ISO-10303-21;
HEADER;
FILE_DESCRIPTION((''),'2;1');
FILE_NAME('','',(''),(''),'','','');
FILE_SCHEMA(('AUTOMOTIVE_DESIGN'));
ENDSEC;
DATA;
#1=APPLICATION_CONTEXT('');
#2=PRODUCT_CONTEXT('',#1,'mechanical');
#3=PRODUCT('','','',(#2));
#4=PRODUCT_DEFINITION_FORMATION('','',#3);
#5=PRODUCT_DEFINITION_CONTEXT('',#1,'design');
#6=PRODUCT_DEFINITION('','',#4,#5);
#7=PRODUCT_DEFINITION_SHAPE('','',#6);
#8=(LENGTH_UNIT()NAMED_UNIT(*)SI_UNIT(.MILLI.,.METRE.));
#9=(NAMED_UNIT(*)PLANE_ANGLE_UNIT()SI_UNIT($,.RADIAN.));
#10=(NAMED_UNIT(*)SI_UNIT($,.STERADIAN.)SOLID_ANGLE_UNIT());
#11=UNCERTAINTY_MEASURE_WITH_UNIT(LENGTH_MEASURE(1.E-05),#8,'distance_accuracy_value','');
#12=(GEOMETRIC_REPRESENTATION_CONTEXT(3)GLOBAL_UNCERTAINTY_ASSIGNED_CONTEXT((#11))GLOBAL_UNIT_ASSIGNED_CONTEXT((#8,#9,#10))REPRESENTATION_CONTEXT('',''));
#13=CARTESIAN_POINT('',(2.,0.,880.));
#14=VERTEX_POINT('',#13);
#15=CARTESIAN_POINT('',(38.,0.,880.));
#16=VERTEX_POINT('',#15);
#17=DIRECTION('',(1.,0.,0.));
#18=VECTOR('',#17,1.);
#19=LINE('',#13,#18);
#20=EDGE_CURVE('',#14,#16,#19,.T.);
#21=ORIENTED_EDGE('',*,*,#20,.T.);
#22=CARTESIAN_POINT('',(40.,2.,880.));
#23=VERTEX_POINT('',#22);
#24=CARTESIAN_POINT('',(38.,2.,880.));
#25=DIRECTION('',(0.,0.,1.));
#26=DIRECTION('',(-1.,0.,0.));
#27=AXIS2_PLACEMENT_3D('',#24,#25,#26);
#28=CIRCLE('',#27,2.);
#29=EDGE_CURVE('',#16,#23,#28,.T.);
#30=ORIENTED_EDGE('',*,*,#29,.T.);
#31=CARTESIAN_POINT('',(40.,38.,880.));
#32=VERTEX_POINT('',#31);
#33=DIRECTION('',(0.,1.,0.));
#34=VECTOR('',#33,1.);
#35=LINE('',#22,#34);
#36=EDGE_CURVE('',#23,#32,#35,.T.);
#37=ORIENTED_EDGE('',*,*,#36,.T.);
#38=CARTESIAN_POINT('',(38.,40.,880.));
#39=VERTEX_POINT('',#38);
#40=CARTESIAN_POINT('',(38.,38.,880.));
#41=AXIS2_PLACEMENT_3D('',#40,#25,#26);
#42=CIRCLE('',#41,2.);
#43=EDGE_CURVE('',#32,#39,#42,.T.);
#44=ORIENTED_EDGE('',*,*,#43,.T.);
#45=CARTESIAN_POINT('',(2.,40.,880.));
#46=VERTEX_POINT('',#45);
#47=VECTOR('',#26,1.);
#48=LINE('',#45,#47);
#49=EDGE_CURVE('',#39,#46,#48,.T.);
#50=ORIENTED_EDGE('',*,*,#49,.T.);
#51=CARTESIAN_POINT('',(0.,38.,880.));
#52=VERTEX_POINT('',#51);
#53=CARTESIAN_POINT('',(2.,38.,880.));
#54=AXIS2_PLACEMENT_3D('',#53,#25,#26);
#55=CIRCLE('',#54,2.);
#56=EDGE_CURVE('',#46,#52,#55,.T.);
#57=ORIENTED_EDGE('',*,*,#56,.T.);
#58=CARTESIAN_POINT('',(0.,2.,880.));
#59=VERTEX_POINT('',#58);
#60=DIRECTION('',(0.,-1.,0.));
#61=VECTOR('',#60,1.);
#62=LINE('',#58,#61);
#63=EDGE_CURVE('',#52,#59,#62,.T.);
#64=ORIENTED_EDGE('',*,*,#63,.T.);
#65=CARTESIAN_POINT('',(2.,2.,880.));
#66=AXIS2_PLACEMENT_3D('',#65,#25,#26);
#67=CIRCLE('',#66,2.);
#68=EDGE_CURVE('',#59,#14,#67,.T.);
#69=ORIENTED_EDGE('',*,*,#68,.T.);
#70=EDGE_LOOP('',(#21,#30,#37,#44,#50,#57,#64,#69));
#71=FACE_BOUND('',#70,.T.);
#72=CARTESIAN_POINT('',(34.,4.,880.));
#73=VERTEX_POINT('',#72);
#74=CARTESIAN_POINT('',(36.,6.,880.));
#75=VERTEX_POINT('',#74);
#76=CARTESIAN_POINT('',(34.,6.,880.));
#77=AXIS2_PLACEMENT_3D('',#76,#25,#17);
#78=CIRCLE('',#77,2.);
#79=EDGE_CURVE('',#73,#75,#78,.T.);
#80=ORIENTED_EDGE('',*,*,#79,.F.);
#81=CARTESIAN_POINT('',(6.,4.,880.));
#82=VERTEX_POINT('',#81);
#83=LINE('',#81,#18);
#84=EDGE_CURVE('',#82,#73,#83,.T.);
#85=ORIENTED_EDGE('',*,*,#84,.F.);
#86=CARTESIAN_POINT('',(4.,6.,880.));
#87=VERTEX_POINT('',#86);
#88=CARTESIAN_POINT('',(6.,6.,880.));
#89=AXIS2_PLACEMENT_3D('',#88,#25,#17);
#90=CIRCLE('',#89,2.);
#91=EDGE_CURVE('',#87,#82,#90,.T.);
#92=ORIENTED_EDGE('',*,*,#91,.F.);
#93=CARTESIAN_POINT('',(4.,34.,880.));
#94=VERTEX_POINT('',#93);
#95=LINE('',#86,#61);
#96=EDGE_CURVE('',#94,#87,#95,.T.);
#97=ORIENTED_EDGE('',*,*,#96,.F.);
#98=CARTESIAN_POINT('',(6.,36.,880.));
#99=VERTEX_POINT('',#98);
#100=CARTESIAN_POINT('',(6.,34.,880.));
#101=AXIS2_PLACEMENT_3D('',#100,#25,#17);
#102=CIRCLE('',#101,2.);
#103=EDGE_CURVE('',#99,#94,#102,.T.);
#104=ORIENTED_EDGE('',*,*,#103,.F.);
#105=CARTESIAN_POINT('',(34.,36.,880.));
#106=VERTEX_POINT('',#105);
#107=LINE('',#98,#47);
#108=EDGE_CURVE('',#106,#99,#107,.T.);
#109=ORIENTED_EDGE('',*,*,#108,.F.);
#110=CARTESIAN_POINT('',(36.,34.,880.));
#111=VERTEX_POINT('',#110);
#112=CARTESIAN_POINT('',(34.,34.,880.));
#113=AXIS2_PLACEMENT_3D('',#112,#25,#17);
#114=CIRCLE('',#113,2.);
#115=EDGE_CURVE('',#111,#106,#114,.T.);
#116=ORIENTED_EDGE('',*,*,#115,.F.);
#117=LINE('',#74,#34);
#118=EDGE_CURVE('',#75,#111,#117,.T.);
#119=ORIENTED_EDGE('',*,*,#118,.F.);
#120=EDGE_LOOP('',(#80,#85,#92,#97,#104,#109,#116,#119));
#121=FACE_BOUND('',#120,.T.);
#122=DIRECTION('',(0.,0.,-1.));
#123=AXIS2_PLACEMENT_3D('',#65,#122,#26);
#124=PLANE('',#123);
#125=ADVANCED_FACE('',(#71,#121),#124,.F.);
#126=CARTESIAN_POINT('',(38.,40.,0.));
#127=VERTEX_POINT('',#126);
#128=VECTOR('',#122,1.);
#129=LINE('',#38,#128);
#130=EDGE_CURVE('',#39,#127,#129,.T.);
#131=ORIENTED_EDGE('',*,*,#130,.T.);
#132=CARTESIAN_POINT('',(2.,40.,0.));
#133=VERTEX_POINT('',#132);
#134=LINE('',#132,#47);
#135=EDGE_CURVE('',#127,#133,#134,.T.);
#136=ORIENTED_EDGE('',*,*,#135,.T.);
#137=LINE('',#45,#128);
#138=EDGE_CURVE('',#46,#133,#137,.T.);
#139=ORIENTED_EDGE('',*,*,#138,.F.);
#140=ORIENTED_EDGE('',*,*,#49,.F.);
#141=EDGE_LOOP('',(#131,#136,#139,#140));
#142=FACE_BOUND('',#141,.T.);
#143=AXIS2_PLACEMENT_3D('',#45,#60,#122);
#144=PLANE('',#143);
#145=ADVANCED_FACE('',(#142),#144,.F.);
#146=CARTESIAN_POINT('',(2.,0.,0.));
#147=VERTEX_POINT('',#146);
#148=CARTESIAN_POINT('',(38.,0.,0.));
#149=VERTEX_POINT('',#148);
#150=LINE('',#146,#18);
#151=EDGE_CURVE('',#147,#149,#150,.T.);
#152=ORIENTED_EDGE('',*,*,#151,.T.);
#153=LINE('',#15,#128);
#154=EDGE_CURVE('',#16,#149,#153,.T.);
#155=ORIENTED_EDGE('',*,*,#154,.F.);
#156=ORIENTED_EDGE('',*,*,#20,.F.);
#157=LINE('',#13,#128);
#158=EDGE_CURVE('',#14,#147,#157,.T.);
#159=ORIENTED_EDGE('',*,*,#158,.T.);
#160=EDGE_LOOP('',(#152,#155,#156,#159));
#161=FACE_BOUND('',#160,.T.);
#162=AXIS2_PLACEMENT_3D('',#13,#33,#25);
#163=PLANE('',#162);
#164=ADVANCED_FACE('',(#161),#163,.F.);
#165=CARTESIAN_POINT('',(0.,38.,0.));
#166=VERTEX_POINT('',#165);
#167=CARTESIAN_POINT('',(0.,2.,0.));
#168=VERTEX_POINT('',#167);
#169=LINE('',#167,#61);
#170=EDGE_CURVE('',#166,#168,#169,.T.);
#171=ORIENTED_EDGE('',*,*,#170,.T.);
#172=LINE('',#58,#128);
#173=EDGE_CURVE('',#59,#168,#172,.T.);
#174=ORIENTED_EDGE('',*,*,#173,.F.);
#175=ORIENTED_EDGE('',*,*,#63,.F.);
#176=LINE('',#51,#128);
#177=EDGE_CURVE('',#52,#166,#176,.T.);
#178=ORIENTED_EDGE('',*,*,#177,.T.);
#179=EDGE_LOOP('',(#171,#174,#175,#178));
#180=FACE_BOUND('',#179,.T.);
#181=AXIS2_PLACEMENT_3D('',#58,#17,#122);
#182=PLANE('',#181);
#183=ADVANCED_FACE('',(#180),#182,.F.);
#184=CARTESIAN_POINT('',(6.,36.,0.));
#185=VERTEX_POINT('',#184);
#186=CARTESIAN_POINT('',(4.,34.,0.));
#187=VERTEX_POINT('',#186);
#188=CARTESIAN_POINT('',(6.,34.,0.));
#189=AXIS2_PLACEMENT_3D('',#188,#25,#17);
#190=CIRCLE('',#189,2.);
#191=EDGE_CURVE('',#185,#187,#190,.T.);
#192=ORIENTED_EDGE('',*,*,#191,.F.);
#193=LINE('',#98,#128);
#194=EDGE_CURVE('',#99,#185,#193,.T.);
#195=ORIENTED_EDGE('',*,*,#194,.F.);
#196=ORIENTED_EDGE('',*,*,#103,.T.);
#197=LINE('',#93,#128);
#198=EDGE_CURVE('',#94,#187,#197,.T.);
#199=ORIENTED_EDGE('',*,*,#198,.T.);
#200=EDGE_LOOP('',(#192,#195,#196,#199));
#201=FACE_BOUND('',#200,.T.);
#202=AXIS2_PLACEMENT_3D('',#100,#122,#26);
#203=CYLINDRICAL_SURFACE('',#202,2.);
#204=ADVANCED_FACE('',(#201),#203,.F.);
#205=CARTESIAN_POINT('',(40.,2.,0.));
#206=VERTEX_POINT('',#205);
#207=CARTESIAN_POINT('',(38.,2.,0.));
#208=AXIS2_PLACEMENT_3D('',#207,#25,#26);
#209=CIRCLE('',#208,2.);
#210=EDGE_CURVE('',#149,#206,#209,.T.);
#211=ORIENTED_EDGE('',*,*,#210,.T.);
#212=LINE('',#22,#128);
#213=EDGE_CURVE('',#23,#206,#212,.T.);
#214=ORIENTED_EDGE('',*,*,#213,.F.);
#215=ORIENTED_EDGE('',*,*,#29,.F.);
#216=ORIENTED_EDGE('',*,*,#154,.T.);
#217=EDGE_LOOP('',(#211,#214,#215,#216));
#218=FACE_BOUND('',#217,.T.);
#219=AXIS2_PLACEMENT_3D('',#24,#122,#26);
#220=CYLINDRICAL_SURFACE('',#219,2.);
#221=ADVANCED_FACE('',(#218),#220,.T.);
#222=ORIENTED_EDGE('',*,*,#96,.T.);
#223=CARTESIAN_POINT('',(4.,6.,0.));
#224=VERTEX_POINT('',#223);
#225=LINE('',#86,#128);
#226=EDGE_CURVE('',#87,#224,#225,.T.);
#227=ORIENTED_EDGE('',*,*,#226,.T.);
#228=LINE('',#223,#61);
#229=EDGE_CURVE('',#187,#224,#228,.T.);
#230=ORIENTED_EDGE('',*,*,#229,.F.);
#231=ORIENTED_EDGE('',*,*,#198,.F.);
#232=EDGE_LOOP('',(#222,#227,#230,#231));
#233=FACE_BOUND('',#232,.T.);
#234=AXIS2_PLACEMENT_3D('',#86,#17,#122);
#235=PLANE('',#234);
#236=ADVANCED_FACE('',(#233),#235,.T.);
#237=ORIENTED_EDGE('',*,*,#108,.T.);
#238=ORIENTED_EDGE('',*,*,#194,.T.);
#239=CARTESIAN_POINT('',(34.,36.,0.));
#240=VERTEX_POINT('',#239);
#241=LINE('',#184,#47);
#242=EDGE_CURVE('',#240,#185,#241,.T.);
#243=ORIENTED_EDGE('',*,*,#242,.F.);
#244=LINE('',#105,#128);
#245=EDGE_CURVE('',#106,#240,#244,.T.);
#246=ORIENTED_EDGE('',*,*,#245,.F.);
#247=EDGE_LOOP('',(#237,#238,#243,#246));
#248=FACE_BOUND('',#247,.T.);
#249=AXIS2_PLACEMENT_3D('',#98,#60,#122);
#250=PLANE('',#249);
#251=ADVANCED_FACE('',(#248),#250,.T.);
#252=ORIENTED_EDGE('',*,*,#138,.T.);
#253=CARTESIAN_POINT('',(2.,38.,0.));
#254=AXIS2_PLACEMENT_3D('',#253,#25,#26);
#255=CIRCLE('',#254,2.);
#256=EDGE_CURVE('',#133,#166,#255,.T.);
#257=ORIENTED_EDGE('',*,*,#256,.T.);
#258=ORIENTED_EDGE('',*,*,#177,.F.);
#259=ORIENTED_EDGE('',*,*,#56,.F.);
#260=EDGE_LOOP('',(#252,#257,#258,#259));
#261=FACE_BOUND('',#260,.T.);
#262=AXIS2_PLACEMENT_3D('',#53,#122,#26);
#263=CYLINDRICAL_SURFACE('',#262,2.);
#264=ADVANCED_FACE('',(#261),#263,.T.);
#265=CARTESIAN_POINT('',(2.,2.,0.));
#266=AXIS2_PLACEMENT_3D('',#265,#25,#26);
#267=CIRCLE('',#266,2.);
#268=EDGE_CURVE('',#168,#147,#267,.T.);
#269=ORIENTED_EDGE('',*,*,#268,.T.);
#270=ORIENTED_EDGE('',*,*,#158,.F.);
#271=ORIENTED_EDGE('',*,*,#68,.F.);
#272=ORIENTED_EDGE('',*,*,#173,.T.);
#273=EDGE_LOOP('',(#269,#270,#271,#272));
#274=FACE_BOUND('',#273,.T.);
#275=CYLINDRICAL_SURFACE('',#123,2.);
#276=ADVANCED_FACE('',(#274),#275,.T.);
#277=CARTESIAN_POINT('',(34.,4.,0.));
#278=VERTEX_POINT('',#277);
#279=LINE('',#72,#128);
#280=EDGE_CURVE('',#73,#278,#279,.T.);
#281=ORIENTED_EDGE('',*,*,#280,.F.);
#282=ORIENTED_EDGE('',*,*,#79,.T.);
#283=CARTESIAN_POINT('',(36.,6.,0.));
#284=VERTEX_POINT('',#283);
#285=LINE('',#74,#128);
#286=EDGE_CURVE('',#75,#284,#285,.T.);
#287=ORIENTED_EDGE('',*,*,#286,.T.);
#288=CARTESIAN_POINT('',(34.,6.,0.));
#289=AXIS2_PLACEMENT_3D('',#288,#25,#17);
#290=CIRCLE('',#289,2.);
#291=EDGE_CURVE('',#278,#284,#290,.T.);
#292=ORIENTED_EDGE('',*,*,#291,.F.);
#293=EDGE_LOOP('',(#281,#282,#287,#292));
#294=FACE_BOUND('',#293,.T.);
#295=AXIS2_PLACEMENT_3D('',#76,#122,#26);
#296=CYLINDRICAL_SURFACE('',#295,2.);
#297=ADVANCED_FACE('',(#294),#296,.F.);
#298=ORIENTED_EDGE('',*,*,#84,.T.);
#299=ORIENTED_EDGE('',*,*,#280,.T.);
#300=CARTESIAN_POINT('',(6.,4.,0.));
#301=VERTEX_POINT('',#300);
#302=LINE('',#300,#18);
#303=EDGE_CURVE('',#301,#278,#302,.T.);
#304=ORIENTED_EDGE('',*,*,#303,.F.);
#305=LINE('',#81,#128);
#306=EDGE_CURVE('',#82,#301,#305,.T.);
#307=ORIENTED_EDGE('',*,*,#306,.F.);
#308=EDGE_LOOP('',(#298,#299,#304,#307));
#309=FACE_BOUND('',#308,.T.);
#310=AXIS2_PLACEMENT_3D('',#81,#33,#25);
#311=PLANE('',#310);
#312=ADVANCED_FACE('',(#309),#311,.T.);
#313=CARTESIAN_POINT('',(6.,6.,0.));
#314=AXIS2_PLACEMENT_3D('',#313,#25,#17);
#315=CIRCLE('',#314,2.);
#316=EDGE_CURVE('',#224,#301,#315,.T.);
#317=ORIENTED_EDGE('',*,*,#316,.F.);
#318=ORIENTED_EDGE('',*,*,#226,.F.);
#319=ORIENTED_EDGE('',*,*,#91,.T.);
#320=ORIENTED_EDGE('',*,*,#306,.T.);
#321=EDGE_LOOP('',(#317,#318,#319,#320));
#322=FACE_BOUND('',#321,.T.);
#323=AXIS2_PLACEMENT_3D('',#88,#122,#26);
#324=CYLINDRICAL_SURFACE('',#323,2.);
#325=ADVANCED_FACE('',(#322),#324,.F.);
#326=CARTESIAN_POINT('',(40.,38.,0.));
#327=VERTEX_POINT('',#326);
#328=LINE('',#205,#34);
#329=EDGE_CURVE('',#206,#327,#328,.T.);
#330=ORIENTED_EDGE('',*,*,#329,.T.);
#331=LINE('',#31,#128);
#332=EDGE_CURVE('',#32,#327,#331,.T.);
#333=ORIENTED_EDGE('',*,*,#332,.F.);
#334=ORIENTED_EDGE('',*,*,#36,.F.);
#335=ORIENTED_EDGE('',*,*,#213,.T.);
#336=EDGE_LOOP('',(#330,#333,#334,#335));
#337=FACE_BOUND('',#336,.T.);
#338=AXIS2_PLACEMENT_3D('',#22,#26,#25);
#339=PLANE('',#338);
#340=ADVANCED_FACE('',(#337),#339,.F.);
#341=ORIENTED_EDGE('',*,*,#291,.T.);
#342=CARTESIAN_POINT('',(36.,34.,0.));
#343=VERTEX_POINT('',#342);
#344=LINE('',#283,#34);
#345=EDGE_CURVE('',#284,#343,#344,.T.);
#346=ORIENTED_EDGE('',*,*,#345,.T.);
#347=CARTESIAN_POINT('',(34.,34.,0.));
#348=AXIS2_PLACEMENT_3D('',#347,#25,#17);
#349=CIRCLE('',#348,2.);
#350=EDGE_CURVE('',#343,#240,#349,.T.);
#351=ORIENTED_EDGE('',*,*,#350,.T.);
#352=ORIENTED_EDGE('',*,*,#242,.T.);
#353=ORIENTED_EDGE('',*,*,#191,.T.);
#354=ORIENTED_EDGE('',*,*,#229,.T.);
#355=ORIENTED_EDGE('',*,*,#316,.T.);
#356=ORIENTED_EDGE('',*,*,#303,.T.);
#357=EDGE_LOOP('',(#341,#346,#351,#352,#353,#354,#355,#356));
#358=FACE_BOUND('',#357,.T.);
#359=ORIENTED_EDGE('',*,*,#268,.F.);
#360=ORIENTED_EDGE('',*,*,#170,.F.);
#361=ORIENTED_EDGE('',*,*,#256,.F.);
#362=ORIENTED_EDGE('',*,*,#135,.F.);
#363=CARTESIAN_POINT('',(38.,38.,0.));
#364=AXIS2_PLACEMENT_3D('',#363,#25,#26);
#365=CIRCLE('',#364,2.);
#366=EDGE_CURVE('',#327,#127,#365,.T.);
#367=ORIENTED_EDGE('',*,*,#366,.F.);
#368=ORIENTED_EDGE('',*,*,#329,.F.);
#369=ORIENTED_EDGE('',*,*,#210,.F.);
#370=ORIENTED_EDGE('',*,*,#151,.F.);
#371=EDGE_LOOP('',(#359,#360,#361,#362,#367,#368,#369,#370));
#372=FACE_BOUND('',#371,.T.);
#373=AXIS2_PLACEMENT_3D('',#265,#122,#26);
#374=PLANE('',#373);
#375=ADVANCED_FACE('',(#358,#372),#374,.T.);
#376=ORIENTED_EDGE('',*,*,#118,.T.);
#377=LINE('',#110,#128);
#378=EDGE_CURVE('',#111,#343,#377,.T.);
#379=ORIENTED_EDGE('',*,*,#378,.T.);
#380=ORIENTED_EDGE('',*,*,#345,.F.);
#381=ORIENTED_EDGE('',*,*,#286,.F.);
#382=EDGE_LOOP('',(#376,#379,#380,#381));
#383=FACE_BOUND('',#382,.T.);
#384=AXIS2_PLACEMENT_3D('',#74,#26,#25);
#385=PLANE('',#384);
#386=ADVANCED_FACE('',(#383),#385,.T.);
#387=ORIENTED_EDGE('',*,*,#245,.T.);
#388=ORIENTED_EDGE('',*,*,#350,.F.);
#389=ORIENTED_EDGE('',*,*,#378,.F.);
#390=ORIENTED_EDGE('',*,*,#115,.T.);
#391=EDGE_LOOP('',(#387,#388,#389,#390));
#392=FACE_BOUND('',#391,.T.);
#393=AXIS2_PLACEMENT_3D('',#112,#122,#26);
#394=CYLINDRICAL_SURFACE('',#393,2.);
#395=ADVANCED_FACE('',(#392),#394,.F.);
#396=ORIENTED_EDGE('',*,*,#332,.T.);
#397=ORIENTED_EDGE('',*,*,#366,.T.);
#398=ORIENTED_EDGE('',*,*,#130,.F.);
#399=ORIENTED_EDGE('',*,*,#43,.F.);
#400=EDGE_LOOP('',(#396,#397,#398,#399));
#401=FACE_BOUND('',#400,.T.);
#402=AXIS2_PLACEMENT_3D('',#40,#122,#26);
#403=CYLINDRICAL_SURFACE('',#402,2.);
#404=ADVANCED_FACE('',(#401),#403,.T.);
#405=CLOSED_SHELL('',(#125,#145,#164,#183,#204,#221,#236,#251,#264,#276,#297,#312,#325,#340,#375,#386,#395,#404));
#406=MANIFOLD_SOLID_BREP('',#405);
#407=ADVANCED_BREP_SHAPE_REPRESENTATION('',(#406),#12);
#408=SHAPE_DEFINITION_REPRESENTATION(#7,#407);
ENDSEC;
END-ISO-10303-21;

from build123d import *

# Parameters (mm, degrees)
BOSS_EXTRU_1_DEPTH = 880


with BuildPart() as part:
    # Esquisse2 → Boss.-Extru.1 (new body)
    with BuildSketch(Plane.XY):
        with BuildLine():
            Line((2, 0), (38, 0))
            ThreePointArc((38, 0), (39.414213562, 0.585786438), (40, 2))
            Line((40, 2), (40, 38))
            ThreePointArc((40, 38), (39.414213562, 39.414213562), (38, 40))
            Line((38, 40), (2, 40))
            ThreePointArc((2, 40), (0.585786438, 39.414213562), (0, 38))
            Line((0, 38), (0, 2))
            ThreePointArc((0, 2), (0.585786438, 0.585786438), (2, 0))
        make_face()
        with BuildLine():
            Line((6, 4), (34, 4))
            ThreePointArc((34, 4), (35.414213562, 4.585786438), (36, 6))
            Line((36, 6), (36, 34))
            ThreePointArc((36, 34), (35.414213562, 35.414213562), (34, 36))
            Line((34, 36), (6, 36))
            ThreePointArc((6, 36), (4.585786438, 35.414213562), (4, 34))
            Line((4, 34), (4, 6))
            ThreePointArc((4, 6), (4.585786438, 4.585786438), (6, 4))
        make_face(mode=Mode.SUBTRACT)
    extrude(amount=BOSS_EXTRU_1_DEPTH)


solid = part.part
